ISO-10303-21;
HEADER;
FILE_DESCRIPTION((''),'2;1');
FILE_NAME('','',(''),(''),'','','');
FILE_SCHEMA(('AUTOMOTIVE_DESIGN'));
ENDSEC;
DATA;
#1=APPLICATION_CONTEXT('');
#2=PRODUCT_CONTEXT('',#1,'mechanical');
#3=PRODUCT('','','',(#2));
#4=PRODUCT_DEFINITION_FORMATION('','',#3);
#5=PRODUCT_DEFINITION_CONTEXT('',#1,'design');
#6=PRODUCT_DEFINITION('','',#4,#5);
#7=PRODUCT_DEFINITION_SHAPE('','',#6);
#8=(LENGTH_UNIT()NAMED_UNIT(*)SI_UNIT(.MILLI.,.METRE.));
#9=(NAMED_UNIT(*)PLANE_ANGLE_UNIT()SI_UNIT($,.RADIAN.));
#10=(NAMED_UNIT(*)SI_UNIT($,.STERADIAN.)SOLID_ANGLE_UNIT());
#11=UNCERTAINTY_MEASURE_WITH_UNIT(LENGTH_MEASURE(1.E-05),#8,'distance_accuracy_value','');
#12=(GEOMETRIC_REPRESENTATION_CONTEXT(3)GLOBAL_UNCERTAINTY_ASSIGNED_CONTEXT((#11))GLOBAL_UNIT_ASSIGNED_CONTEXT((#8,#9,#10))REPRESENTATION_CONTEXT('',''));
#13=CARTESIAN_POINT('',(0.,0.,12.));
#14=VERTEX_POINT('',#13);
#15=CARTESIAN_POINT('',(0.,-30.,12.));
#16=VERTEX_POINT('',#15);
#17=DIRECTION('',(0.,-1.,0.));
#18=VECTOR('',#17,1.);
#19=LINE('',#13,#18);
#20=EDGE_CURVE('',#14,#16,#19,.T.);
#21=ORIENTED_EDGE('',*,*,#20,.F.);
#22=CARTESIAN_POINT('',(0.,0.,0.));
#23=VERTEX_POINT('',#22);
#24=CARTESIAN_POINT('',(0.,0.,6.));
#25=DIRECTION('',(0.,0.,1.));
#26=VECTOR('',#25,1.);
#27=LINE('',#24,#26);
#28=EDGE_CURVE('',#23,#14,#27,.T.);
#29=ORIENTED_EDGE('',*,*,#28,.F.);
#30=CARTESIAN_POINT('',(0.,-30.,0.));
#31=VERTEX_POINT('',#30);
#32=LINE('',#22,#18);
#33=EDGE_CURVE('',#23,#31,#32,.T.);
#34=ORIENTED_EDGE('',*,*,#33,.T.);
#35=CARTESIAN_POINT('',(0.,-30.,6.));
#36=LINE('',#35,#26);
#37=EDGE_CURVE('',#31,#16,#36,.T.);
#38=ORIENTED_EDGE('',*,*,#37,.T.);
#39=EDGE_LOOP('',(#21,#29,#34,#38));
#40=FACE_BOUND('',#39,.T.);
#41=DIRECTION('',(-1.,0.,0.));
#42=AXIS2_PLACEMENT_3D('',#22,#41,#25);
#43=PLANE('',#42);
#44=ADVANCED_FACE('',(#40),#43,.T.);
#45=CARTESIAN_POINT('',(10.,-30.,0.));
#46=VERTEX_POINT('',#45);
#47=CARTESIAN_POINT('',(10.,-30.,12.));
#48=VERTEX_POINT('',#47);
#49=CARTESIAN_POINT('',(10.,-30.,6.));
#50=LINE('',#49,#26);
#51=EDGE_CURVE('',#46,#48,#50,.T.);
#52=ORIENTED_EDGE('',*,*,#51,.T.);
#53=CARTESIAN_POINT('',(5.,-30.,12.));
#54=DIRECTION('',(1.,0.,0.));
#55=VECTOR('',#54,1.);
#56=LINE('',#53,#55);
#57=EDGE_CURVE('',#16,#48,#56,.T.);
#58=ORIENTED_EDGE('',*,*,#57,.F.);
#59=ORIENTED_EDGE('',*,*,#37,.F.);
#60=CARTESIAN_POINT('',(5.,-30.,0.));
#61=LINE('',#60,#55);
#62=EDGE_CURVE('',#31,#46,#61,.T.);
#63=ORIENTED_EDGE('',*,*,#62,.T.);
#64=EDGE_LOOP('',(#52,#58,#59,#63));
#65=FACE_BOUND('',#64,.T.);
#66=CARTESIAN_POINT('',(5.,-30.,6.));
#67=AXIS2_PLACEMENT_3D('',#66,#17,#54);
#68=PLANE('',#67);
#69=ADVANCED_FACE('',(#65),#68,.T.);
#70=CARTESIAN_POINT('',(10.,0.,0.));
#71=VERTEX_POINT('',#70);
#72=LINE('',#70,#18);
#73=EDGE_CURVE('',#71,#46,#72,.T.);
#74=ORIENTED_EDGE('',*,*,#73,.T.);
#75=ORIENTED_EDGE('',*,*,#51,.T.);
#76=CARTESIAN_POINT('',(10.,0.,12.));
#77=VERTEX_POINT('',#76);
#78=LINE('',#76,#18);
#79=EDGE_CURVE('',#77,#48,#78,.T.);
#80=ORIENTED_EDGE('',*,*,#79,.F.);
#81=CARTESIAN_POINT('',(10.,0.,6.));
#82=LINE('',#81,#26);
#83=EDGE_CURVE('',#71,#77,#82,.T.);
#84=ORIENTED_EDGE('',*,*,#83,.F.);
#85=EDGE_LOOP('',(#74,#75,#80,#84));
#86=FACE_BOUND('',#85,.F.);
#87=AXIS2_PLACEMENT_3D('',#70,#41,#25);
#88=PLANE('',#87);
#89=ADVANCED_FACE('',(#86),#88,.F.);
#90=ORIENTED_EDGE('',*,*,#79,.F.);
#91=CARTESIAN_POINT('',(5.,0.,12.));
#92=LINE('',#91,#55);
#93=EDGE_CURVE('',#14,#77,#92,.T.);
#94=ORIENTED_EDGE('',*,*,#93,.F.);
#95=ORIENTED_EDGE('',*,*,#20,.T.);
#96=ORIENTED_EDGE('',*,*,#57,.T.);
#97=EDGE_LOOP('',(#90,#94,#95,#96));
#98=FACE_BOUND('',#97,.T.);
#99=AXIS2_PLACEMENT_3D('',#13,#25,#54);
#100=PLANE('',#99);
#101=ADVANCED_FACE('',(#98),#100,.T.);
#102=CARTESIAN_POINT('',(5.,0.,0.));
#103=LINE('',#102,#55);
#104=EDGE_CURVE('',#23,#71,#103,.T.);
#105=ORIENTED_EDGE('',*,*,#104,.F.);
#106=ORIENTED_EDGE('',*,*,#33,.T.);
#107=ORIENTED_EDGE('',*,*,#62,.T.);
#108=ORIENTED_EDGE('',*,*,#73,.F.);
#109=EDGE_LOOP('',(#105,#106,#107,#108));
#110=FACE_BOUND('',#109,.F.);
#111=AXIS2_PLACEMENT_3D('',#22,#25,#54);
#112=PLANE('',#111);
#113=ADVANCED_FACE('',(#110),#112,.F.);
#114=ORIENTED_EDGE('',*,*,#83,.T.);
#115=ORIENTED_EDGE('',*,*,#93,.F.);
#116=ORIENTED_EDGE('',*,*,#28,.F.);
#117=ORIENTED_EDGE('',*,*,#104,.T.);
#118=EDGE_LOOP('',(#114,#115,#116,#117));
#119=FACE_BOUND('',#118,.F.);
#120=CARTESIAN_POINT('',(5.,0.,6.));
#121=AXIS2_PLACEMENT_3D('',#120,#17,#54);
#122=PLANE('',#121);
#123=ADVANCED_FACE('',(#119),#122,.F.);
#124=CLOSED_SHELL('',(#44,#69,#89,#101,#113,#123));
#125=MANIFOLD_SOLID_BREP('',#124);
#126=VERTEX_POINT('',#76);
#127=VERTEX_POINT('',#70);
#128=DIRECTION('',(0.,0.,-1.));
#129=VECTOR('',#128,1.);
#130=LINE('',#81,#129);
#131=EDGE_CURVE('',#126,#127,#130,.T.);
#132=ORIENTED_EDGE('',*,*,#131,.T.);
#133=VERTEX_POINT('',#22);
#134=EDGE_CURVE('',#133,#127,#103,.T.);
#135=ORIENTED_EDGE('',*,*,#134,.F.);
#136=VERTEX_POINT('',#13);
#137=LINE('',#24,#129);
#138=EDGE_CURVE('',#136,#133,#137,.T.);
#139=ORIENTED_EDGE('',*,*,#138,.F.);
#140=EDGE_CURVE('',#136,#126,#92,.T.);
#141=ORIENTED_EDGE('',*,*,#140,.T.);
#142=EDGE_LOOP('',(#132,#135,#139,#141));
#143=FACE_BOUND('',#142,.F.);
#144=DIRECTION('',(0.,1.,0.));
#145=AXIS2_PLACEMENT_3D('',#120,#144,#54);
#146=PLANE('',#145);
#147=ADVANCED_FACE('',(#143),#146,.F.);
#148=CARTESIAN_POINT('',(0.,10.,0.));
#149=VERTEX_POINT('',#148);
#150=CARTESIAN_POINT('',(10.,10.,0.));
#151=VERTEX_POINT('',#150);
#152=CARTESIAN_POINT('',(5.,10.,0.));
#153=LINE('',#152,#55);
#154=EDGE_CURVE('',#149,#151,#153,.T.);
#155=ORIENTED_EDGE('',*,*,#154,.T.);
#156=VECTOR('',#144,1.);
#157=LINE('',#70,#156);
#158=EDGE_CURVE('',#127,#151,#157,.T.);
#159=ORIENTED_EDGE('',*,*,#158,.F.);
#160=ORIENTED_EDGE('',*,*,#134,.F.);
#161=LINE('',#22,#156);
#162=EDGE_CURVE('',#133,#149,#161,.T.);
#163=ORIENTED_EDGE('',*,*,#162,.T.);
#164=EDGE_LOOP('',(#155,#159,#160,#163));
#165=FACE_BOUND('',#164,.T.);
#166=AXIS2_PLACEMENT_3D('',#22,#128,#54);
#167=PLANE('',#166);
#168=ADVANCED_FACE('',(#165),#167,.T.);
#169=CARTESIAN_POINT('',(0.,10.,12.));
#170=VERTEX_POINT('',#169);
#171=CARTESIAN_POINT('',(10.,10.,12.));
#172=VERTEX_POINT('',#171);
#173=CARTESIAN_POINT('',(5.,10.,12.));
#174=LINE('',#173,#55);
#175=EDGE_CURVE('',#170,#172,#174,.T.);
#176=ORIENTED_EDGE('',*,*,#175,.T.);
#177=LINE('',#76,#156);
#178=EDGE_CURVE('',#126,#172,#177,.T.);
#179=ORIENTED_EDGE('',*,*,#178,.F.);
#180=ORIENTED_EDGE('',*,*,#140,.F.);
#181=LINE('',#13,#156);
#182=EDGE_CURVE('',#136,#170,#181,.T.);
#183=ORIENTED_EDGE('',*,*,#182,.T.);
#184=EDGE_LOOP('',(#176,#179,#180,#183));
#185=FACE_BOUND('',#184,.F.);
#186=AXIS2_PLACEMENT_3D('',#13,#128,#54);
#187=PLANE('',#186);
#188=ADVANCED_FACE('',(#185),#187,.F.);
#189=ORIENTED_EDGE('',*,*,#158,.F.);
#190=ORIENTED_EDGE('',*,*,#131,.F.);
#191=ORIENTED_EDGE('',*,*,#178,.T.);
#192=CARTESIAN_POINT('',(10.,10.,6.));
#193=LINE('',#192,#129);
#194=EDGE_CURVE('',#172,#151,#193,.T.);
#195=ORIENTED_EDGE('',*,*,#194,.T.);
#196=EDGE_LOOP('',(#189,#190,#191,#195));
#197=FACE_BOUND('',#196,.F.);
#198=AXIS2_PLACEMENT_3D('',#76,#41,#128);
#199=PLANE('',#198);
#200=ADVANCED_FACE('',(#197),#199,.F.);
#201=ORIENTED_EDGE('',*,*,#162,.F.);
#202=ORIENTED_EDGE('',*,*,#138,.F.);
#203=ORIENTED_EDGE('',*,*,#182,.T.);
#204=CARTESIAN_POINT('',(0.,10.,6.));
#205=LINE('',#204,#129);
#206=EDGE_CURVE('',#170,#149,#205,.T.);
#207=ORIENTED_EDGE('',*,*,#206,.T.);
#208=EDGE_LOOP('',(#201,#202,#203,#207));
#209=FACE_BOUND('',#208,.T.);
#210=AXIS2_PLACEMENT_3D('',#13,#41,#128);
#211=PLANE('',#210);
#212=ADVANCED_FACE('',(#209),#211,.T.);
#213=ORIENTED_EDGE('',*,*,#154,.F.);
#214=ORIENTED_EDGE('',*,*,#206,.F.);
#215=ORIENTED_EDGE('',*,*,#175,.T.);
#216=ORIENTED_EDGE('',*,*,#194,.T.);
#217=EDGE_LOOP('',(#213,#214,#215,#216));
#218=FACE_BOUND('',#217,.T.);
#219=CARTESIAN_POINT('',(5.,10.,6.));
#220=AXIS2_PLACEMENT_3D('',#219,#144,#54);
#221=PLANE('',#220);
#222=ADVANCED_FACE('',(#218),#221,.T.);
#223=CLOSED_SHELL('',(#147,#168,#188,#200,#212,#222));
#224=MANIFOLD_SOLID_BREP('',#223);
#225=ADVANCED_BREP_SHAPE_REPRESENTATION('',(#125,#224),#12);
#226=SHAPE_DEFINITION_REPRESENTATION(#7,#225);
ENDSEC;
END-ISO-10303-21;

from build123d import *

# Parameters (mm, degrees)
F0_W      = 10
F0_H      = 12
F1_DEPTH  = 30
F1_FACE_W = 10
F1_FACE_H = 12
F2_DEPTH  = 10


with BuildPart() as f1:
    # F0 (on Front) → F1 (new body)
    with BuildSketch(Plane.XZ):
        with Locations((5, 6)):
            Rectangle(F0_W, F0_H)
    extrude(amount=F1_DEPTH)


with BuildPart() as f2:
    # F1_face (on face) → F2 (new body)
    with BuildSketch(Plane(origin=(5, 0, 6), x_dir=(1, 0, 0), z_dir=(0, 1, 0))):
        Rectangle(F1_FACE_W, F1_FACE_H)
    extrude(amount=F2_DEPTH)


solid = Compound([f1.part, f2.part])
